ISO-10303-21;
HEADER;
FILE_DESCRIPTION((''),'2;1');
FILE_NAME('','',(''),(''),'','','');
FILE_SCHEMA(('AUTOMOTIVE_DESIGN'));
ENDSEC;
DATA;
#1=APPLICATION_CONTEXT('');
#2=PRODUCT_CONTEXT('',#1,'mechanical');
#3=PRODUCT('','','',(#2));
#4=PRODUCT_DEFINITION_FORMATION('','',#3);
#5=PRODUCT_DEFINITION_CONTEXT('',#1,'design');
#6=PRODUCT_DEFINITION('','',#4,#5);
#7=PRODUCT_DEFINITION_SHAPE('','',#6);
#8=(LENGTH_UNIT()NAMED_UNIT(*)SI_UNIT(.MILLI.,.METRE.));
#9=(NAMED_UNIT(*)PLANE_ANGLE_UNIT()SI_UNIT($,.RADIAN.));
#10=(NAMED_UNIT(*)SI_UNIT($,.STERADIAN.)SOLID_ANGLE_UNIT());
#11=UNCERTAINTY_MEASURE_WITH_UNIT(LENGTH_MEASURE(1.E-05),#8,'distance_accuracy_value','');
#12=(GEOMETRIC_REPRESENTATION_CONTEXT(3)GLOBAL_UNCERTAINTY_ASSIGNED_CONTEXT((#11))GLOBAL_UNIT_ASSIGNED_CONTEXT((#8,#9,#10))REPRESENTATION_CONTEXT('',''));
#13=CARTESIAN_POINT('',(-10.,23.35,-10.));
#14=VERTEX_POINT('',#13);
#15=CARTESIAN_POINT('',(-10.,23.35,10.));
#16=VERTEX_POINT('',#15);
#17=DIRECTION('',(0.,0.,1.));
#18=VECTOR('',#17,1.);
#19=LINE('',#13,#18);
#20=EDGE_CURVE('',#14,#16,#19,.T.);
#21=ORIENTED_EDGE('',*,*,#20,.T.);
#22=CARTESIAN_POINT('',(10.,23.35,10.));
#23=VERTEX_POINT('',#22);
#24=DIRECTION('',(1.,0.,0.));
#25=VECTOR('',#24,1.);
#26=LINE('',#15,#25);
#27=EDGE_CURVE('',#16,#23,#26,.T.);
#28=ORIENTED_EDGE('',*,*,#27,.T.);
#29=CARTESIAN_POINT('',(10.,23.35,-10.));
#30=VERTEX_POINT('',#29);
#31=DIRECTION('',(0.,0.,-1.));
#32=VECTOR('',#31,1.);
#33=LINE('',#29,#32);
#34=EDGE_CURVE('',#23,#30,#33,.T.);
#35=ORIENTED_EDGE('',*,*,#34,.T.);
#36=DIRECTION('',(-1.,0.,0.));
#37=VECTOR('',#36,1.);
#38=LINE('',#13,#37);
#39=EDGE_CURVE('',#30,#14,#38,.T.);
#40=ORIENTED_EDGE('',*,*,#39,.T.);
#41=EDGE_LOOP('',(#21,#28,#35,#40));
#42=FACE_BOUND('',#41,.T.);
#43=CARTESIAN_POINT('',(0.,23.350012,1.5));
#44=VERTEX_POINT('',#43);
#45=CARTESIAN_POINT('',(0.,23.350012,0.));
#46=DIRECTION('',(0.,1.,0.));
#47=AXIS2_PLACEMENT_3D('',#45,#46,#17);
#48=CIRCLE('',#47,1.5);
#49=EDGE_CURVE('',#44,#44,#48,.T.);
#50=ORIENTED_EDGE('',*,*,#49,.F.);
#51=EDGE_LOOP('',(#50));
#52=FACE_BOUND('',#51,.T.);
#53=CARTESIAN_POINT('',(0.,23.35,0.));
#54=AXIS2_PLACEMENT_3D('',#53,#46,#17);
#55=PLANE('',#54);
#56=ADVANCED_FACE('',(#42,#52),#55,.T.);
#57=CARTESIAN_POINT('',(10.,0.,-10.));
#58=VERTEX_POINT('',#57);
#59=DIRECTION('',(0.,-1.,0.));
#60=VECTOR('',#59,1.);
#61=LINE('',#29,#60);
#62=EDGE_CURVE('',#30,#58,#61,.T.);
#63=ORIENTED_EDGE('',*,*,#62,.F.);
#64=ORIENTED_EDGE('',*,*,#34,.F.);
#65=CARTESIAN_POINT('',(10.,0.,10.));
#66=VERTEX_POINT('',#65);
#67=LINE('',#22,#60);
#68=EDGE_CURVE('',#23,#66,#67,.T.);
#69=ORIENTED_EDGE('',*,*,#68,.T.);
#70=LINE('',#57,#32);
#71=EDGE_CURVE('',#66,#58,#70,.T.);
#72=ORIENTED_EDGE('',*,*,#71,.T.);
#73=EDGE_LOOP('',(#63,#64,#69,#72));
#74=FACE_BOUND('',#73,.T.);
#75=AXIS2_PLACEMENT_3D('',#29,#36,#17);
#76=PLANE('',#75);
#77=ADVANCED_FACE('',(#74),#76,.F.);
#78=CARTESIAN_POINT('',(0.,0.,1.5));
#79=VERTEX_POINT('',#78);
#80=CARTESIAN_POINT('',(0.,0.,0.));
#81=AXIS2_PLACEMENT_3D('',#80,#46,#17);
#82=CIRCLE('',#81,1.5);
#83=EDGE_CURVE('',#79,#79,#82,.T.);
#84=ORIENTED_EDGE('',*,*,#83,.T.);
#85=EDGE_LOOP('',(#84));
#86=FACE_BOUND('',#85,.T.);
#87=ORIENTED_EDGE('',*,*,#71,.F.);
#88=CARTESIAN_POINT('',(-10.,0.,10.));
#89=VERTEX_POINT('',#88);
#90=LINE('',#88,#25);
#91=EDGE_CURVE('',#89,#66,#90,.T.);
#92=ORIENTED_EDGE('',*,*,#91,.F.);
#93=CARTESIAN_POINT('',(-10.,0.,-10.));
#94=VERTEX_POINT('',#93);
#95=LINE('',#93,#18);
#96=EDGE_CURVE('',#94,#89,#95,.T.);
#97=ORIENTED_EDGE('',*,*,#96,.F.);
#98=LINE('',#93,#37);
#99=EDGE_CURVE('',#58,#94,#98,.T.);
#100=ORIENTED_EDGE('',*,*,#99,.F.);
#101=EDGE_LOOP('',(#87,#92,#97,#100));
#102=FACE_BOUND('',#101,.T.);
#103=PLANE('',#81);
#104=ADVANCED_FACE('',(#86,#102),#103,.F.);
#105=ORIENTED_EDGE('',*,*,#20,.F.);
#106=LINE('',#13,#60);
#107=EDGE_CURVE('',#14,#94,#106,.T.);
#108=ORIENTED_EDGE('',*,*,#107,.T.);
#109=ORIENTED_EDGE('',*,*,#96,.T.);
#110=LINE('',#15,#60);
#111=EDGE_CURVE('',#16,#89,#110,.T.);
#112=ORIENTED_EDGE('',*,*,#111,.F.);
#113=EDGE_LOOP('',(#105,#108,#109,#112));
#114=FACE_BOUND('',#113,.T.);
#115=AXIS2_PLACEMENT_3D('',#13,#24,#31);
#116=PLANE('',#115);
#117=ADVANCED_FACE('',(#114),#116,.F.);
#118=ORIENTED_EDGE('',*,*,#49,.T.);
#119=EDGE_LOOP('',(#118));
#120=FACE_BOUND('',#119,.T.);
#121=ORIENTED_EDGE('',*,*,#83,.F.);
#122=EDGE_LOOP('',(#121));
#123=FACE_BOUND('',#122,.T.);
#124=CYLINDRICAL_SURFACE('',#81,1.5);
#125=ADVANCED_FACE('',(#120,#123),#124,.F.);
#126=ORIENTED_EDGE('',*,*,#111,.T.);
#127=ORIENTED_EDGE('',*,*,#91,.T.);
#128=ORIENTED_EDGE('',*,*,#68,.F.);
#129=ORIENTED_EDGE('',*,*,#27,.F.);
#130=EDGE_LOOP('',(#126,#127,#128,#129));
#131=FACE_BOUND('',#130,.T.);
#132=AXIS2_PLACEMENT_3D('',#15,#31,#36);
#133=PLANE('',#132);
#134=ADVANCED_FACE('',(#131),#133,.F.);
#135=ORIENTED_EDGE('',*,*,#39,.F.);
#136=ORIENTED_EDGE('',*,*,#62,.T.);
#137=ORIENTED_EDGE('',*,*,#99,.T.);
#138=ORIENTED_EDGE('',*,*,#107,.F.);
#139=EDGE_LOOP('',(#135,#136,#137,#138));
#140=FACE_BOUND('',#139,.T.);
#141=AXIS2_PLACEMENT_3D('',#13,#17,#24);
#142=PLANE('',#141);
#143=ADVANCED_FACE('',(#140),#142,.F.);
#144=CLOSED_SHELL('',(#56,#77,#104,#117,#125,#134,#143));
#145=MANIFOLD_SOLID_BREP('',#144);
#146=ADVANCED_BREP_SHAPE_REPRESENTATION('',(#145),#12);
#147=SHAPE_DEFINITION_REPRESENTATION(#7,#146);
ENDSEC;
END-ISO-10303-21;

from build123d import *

# Parameters (mm, degrees)
SKETCH_1_W               = 20
SKETCH_1_H               = 20
EXTRUDE_1_DEPTH          = 23.35
CUT_EXTRUDE_1_DEPTH      = 28.298763708
CUT_EXTRUDE_1_DEPTH_BACK = 28.298763708
SKETCH_3_R               = 1.5


with BuildPart() as part:
    # 草图1 → 凸台-拉伸1 (new body)
    with BuildSketch(Plane(origin=(0, 0, 0), x_dir=(1, 0, 0), z_dir=(0, 1, 0))):
        Rectangle(SKETCH_1_W, SKETCH_1_H)
    extrude(amount=EXTRUDE_1_DEPTH)

    # 草图3 → 切除-拉伸1 (cut, two sides: drawn at the far end of the back side and taken through both)
    with BuildSketch(Plane(origin=(0, 23.35, 0), x_dir=(1, 0, 0), z_dir=(0, 1, 0)).offset(-CUT_EXTRUDE_1_DEPTH_BACK)):
        with Locations(Location((0, 0, 0), (0, 0, 270))):
            Circle(SKETCH_3_R)
    extrude(amount=CUT_EXTRUDE_1_DEPTH + CUT_EXTRUDE_1_DEPTH_BACK, mode=Mode.SUBTRACT)


solid = part.part
